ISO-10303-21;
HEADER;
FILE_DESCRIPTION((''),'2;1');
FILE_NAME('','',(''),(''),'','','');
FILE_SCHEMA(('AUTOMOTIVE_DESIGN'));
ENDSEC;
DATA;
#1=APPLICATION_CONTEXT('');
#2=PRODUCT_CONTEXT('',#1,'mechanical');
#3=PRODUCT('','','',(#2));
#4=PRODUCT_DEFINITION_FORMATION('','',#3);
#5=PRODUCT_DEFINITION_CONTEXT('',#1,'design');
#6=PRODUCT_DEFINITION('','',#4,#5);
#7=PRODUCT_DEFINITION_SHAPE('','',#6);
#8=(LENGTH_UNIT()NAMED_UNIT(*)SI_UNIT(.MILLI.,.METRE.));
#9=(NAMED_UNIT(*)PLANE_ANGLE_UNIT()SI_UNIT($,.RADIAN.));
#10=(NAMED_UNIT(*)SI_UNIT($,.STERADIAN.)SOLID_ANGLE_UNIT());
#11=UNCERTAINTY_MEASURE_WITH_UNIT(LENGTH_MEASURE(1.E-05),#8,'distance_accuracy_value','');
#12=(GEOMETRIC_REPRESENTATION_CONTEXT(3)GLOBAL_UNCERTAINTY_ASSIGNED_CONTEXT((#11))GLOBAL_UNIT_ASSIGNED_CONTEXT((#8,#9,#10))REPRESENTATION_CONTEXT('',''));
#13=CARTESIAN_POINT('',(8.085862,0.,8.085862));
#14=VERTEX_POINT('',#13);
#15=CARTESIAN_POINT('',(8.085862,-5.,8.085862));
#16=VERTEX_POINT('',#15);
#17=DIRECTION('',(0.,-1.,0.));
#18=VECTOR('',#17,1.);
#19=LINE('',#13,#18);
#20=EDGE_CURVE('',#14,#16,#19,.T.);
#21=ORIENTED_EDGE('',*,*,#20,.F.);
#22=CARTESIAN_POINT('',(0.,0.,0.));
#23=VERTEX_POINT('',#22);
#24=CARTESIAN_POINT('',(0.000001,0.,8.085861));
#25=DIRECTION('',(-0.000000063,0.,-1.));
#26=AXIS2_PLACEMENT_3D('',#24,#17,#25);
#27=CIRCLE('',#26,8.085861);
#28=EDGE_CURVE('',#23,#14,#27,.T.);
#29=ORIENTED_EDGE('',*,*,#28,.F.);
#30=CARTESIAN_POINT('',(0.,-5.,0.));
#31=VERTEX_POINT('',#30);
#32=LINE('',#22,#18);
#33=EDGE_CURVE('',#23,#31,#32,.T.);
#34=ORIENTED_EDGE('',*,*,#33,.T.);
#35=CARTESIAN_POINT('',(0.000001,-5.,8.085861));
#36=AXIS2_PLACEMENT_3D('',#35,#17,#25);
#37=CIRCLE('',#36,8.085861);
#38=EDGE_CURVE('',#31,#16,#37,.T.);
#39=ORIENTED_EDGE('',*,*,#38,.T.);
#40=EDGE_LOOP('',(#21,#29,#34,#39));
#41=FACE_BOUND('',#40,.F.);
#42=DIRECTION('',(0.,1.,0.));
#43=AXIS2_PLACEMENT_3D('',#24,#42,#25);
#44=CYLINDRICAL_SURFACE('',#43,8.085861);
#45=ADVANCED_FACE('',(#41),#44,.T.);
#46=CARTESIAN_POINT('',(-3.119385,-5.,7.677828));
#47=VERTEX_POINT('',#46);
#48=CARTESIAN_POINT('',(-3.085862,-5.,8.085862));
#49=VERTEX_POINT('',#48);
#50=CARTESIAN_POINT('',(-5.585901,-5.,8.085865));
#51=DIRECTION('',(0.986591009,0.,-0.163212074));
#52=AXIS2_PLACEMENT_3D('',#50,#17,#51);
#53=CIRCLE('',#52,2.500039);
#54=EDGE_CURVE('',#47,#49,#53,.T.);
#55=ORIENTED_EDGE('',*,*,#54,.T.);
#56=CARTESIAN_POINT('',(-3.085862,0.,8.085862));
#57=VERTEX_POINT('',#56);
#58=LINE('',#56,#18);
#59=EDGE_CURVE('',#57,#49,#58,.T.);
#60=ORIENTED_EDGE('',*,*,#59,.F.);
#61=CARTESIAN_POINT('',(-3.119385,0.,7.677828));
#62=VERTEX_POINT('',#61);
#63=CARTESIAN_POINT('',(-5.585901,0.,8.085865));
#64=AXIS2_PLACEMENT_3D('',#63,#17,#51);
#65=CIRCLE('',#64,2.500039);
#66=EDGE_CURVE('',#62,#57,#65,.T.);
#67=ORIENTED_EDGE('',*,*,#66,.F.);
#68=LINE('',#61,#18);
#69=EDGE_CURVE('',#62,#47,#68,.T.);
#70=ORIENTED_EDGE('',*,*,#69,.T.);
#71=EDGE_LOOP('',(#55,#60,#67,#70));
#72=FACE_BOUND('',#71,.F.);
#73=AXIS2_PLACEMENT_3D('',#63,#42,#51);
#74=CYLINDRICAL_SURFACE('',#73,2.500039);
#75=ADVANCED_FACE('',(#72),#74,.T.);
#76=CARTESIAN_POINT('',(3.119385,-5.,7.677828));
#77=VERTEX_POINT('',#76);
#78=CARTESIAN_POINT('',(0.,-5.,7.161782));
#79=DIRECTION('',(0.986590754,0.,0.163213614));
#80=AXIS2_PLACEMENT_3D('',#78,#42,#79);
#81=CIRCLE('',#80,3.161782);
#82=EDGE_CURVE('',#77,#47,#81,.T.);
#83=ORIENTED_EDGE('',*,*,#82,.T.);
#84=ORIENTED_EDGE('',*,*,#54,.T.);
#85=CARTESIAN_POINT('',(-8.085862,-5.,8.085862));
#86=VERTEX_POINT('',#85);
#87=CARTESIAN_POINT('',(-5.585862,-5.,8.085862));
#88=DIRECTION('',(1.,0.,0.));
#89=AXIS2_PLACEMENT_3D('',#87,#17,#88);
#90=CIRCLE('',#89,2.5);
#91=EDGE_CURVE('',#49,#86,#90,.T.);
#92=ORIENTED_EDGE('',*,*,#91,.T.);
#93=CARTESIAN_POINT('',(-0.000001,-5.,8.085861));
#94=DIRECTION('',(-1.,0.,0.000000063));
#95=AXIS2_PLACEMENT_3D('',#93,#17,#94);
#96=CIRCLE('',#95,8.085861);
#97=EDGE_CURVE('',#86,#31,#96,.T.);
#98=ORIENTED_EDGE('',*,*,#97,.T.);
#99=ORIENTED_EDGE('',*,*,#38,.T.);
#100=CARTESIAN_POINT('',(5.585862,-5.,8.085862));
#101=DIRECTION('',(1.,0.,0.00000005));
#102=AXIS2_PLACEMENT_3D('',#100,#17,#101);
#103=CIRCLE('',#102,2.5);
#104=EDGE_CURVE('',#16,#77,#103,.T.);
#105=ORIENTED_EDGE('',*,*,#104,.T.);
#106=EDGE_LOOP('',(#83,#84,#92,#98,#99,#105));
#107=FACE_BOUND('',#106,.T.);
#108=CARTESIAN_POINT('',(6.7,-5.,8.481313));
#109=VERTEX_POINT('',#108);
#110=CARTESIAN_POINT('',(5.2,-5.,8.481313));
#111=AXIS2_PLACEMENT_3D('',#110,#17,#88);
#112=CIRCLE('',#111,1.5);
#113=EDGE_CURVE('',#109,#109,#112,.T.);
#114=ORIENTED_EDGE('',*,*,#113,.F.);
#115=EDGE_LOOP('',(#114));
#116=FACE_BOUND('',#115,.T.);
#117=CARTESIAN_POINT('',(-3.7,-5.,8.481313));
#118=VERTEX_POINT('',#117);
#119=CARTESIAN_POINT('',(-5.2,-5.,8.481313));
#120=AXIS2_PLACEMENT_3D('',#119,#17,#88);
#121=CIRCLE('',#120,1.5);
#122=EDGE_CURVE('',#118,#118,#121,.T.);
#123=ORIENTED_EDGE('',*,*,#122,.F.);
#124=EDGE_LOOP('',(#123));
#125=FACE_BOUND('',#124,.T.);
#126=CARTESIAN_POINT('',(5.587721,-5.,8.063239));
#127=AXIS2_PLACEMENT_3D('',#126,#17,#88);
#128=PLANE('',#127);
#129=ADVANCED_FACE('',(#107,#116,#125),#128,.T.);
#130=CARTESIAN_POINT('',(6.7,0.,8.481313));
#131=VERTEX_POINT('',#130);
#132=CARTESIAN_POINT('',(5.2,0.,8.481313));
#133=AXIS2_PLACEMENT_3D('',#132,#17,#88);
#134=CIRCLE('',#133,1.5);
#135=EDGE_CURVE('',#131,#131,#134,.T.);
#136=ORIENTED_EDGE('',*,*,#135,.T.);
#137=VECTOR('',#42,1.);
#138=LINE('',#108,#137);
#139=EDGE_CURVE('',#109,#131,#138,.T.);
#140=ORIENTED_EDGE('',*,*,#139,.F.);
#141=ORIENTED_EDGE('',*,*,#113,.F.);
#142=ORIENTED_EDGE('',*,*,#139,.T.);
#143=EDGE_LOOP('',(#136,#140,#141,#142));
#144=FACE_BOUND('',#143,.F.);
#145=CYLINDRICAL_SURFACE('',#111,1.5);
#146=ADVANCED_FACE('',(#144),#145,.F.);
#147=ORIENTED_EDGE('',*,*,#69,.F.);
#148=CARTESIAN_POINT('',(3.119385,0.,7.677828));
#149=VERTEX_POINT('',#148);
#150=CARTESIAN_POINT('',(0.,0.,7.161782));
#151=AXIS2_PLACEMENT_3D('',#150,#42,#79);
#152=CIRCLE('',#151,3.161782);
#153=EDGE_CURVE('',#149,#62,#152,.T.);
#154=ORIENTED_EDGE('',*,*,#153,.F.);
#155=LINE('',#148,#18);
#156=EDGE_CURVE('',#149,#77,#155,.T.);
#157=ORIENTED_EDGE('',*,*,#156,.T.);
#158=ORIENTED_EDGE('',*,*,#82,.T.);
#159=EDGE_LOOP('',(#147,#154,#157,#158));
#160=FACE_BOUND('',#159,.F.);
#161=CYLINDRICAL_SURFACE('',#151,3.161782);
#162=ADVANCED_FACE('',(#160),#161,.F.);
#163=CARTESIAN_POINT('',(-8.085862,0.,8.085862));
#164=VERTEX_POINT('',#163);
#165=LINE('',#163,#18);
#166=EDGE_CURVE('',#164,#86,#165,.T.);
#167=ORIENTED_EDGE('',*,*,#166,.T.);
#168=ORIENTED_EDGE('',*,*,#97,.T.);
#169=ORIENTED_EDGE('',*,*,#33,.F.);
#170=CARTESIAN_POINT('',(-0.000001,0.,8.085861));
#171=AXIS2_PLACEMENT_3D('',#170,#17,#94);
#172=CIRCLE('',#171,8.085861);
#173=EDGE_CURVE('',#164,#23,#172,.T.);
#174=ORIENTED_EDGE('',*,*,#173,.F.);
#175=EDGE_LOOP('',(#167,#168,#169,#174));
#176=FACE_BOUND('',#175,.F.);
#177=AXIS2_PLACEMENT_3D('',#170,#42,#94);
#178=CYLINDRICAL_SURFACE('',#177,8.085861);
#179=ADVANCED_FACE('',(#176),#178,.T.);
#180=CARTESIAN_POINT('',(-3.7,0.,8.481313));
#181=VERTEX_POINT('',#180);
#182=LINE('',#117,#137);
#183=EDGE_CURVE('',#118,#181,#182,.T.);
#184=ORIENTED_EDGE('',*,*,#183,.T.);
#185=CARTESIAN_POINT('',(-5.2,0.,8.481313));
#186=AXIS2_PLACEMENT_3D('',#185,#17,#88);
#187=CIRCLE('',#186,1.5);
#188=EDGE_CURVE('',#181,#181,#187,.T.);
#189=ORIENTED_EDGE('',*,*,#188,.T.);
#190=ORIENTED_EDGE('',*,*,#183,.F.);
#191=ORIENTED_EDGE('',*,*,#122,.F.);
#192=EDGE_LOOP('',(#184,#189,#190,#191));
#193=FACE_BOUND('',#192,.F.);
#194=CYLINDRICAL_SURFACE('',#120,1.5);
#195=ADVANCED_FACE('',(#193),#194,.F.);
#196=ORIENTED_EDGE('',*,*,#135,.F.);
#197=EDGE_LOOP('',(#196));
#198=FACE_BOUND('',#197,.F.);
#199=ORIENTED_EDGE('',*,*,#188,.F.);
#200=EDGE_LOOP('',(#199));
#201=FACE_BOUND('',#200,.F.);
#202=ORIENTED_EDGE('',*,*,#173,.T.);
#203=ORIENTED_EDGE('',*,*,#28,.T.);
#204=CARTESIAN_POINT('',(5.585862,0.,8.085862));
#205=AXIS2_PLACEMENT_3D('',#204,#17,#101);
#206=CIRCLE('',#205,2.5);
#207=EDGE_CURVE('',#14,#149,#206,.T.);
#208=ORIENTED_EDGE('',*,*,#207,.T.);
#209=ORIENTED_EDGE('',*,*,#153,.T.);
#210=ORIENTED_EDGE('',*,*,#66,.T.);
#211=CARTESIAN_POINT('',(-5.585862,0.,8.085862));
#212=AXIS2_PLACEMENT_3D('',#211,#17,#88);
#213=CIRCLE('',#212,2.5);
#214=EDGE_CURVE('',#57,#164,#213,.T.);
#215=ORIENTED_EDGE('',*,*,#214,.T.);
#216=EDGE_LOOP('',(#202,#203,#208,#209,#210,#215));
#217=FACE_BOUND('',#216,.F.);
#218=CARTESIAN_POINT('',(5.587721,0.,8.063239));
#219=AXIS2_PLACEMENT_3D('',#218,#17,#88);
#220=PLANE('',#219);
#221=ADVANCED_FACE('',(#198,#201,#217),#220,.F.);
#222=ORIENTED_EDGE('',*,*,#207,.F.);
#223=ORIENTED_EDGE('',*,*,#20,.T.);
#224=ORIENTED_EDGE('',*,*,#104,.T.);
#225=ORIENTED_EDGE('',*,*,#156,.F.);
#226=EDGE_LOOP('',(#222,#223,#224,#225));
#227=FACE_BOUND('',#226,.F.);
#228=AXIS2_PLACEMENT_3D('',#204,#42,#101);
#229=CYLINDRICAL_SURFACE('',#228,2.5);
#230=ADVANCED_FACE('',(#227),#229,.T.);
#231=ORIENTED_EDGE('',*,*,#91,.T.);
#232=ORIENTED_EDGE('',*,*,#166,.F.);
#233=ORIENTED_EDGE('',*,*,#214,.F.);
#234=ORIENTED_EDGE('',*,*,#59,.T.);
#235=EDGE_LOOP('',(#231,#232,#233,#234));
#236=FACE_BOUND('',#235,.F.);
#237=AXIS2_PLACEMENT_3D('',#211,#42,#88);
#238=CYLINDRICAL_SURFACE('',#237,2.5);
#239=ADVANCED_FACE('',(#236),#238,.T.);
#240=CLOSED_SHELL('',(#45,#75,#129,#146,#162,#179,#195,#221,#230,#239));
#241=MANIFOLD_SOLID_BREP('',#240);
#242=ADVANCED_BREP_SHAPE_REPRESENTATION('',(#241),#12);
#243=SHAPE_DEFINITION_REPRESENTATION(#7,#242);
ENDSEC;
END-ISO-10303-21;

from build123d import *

# Parameters (mm, degrees)
F1_DEPTH = 5
F2_R     = 1.5
F3_DEPTH = 25


with BuildPart() as f1:
    # F0 (on Front) → F1 (new body)
    with BuildSketch(Plane.XZ):
        with BuildLine():
            ThreePointArc((3.119385, 7.677828), (5.790566, 5.594257), (8.085862, 8.085862))
            ThreePointArc((8.085862, 8.085862), (5.381157, 10.577467), (3.119385, 7.677828))
        make_face()
        with BuildLine():
            ThreePointArc((0, 0), (5.717568, 2.368294), (8.085862, 8.085862))
            ThreePointArc((8.085862, 8.085862), (5.790566, 5.594257), (3.119385, 7.677828))
            ThreePointArc((3.119385, 7.677828), (0, 4), (-3.119385, 7.677828))
            ThreePointArc((-3.119385, 7.677828), (-5.790566, 5.594257), (-8.085862, 8.085862))
            ThreePointArc((-8.085862, 8.085862), (-5.717568, 2.368294), (0, 0))
        make_face()
        with BuildLine():
            ThreePointArc((-8.085862, 8.085862), (-5.790566, 5.594257), (-3.119385, 7.677828))
            ThreePointArc((-3.119385, 7.677828), (-3.094257, 7.881157), (-3.085862, 8.085862))
            ThreePointArc((-3.085862, 8.085862), (-5.585862, 10.585862), (-8.085862, 8.085862))
        make_face()
    extrude(amount=F1_DEPTH)

    # F2 (on face) → F3 (cut)
    with BuildSketch(Plane.XZ.offset(5)):
        with Locations((-5.2, 8.481313)):
            Circle(F2_R)
        with Locations((5.2, 8.481313)):
            Circle(F2_R)
    extrude(amount=-F3_DEPTH, mode=Mode.SUBTRACT)


solid = f1.part
